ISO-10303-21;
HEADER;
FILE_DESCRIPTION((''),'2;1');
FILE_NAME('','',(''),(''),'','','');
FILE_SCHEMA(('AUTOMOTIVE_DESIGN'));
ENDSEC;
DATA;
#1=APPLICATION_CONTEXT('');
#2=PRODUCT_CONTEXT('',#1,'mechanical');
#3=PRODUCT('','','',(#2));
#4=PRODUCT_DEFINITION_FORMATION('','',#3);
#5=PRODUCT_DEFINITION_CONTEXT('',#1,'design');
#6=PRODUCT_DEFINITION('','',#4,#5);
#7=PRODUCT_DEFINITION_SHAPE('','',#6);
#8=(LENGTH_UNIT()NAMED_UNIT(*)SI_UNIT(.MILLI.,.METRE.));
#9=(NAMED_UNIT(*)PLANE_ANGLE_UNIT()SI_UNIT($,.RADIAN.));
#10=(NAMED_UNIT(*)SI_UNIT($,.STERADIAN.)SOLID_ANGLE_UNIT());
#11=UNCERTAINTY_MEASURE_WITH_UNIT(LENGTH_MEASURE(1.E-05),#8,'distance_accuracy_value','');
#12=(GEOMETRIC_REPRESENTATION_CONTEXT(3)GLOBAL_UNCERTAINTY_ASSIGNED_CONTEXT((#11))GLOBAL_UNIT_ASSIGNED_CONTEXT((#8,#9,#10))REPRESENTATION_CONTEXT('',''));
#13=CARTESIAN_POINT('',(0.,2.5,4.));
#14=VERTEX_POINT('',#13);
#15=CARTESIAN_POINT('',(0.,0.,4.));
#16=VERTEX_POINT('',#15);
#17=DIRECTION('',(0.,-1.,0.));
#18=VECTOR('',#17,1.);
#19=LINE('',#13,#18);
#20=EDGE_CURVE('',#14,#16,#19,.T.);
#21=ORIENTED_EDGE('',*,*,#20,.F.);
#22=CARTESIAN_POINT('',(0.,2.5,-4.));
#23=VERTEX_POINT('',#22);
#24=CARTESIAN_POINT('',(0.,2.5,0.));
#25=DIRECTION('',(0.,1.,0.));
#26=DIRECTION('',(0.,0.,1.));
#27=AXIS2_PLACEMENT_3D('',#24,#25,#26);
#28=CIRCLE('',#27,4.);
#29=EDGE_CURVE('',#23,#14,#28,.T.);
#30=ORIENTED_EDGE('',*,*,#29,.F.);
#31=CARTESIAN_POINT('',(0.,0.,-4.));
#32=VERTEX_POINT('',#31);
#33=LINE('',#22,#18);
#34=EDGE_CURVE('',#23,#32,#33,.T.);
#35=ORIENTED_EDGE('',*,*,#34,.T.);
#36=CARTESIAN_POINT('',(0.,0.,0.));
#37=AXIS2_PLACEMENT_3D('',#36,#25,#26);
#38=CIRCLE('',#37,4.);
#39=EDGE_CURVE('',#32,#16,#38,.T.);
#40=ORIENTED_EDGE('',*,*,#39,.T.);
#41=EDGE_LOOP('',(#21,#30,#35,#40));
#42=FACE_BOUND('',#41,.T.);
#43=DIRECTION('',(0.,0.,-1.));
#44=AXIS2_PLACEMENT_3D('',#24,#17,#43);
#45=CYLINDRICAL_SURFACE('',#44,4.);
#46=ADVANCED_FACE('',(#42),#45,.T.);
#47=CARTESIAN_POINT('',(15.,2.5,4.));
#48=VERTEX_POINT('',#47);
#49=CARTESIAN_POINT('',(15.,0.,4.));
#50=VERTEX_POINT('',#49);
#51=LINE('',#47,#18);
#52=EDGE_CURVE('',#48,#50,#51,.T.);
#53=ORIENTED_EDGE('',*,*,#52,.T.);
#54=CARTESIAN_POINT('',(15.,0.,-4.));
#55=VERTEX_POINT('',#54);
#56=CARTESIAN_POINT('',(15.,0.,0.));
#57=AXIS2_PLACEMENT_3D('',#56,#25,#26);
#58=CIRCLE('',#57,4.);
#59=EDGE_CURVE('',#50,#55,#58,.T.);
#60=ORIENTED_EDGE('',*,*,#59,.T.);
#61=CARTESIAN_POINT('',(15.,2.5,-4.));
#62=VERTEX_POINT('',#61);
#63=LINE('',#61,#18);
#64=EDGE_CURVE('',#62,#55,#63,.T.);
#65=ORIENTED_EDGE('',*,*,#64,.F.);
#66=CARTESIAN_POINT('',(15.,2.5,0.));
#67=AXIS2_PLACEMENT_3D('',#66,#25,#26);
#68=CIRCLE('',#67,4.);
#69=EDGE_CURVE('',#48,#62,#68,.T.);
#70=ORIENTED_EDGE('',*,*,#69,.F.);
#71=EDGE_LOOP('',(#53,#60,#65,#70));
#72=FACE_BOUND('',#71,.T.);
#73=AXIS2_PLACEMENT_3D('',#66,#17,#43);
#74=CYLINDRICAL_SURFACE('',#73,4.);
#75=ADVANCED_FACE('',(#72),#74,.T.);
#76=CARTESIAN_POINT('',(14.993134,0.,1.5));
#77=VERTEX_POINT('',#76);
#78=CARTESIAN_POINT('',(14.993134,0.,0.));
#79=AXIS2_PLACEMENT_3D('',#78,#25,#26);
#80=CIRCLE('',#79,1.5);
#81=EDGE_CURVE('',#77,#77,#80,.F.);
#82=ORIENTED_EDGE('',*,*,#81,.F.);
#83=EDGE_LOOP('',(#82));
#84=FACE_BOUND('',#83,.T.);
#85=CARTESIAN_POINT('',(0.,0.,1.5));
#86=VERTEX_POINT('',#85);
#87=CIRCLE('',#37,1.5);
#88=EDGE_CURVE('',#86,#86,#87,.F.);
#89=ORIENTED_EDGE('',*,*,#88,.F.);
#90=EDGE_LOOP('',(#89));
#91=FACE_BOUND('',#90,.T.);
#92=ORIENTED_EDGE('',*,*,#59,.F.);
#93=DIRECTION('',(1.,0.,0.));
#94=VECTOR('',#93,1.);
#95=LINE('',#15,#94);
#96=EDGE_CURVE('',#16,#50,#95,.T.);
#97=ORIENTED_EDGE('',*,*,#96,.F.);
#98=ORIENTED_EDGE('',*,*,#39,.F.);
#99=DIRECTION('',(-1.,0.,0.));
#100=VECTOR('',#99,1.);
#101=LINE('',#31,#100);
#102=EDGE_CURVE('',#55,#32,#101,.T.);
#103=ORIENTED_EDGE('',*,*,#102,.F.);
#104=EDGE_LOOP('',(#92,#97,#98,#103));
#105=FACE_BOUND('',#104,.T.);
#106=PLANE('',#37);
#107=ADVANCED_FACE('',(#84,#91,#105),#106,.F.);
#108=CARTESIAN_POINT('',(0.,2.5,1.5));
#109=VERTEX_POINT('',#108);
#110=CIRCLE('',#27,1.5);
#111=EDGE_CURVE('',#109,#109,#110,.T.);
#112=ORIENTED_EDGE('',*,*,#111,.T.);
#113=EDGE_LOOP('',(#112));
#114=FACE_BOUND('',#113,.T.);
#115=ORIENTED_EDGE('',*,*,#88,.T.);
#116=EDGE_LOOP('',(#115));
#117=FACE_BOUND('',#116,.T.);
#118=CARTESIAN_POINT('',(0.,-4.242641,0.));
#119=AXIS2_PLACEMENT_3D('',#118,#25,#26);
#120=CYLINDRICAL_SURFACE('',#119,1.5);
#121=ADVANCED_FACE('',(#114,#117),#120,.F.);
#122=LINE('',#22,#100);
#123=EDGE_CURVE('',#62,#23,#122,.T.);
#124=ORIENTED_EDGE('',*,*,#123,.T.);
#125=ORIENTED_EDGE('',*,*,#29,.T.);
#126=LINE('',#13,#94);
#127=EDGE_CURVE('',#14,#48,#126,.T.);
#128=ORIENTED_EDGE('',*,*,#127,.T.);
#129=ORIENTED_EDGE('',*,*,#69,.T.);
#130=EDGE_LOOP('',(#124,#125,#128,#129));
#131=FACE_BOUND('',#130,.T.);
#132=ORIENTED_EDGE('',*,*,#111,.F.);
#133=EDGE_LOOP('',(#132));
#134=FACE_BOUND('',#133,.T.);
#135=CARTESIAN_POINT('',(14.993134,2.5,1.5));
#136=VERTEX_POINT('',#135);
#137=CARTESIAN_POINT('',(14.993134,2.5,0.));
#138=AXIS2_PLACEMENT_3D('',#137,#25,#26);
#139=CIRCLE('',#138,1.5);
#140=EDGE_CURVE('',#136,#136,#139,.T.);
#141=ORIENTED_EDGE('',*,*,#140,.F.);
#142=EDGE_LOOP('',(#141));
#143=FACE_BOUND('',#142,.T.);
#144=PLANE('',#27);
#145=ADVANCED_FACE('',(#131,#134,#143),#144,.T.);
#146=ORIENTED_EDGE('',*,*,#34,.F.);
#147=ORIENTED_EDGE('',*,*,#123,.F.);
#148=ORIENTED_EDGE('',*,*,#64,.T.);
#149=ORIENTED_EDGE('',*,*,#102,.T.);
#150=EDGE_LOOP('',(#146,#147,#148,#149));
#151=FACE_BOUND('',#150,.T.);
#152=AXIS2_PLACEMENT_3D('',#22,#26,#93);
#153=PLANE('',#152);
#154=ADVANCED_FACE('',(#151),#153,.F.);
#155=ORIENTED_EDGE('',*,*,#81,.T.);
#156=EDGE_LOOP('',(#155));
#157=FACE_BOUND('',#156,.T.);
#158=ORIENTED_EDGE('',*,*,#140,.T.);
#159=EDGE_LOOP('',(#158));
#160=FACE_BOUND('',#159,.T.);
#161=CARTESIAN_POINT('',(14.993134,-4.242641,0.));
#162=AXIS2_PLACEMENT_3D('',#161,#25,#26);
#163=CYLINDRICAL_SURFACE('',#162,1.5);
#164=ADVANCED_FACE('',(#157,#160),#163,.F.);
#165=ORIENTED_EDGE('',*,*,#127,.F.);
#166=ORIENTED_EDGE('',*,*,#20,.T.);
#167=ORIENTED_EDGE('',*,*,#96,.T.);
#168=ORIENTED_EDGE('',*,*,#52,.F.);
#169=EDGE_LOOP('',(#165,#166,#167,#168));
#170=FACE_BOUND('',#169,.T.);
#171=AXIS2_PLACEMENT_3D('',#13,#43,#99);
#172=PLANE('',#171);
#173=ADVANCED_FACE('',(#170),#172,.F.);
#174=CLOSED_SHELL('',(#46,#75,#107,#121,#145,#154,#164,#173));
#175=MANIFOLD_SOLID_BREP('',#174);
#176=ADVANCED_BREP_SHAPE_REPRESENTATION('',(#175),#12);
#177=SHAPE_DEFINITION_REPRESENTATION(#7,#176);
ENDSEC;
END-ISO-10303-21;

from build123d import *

# Parameters (mm, degrees)
BOSS_EXTRUDE1_DEPTH = 2.5
SKETCH2_R           = 1.5
CUT_EXTRUDE1_DEPTH  = 2.5


with BuildPart() as part:
    # Sketch1 → Boss-Extrude1 (new body)
    with BuildSketch(Plane(origin=(0, 0, 0), x_dir=(1, 0, 0), z_dir=(0, 1, 0))):
        with BuildLine():
            Line((0, 4), (15, 4))
            ThreePointArc((15, 4), (19, 0), (15, -4))
            Line((15, -4), (0, -4))
            ThreePointArc((0, -4), (-4, 0), (0, 4))
        make_face()
    extrude(amount=BOSS_EXTRUDE1_DEPTH)

    # Sketch2 → Cut-Extrude1 (cut)
    with BuildSketch(Plane(origin=(0, 2.5, 0), x_dir=(1, 0, 0), z_dir=(0, 1, 0))):
        Circle(SKETCH2_R)
        with Locations((14.993133743, 0)):
            Circle(SKETCH2_R)
    extrude(amount=-CUT_EXTRUDE1_DEPTH, mode=Mode.SUBTRACT)


solid = part.part
